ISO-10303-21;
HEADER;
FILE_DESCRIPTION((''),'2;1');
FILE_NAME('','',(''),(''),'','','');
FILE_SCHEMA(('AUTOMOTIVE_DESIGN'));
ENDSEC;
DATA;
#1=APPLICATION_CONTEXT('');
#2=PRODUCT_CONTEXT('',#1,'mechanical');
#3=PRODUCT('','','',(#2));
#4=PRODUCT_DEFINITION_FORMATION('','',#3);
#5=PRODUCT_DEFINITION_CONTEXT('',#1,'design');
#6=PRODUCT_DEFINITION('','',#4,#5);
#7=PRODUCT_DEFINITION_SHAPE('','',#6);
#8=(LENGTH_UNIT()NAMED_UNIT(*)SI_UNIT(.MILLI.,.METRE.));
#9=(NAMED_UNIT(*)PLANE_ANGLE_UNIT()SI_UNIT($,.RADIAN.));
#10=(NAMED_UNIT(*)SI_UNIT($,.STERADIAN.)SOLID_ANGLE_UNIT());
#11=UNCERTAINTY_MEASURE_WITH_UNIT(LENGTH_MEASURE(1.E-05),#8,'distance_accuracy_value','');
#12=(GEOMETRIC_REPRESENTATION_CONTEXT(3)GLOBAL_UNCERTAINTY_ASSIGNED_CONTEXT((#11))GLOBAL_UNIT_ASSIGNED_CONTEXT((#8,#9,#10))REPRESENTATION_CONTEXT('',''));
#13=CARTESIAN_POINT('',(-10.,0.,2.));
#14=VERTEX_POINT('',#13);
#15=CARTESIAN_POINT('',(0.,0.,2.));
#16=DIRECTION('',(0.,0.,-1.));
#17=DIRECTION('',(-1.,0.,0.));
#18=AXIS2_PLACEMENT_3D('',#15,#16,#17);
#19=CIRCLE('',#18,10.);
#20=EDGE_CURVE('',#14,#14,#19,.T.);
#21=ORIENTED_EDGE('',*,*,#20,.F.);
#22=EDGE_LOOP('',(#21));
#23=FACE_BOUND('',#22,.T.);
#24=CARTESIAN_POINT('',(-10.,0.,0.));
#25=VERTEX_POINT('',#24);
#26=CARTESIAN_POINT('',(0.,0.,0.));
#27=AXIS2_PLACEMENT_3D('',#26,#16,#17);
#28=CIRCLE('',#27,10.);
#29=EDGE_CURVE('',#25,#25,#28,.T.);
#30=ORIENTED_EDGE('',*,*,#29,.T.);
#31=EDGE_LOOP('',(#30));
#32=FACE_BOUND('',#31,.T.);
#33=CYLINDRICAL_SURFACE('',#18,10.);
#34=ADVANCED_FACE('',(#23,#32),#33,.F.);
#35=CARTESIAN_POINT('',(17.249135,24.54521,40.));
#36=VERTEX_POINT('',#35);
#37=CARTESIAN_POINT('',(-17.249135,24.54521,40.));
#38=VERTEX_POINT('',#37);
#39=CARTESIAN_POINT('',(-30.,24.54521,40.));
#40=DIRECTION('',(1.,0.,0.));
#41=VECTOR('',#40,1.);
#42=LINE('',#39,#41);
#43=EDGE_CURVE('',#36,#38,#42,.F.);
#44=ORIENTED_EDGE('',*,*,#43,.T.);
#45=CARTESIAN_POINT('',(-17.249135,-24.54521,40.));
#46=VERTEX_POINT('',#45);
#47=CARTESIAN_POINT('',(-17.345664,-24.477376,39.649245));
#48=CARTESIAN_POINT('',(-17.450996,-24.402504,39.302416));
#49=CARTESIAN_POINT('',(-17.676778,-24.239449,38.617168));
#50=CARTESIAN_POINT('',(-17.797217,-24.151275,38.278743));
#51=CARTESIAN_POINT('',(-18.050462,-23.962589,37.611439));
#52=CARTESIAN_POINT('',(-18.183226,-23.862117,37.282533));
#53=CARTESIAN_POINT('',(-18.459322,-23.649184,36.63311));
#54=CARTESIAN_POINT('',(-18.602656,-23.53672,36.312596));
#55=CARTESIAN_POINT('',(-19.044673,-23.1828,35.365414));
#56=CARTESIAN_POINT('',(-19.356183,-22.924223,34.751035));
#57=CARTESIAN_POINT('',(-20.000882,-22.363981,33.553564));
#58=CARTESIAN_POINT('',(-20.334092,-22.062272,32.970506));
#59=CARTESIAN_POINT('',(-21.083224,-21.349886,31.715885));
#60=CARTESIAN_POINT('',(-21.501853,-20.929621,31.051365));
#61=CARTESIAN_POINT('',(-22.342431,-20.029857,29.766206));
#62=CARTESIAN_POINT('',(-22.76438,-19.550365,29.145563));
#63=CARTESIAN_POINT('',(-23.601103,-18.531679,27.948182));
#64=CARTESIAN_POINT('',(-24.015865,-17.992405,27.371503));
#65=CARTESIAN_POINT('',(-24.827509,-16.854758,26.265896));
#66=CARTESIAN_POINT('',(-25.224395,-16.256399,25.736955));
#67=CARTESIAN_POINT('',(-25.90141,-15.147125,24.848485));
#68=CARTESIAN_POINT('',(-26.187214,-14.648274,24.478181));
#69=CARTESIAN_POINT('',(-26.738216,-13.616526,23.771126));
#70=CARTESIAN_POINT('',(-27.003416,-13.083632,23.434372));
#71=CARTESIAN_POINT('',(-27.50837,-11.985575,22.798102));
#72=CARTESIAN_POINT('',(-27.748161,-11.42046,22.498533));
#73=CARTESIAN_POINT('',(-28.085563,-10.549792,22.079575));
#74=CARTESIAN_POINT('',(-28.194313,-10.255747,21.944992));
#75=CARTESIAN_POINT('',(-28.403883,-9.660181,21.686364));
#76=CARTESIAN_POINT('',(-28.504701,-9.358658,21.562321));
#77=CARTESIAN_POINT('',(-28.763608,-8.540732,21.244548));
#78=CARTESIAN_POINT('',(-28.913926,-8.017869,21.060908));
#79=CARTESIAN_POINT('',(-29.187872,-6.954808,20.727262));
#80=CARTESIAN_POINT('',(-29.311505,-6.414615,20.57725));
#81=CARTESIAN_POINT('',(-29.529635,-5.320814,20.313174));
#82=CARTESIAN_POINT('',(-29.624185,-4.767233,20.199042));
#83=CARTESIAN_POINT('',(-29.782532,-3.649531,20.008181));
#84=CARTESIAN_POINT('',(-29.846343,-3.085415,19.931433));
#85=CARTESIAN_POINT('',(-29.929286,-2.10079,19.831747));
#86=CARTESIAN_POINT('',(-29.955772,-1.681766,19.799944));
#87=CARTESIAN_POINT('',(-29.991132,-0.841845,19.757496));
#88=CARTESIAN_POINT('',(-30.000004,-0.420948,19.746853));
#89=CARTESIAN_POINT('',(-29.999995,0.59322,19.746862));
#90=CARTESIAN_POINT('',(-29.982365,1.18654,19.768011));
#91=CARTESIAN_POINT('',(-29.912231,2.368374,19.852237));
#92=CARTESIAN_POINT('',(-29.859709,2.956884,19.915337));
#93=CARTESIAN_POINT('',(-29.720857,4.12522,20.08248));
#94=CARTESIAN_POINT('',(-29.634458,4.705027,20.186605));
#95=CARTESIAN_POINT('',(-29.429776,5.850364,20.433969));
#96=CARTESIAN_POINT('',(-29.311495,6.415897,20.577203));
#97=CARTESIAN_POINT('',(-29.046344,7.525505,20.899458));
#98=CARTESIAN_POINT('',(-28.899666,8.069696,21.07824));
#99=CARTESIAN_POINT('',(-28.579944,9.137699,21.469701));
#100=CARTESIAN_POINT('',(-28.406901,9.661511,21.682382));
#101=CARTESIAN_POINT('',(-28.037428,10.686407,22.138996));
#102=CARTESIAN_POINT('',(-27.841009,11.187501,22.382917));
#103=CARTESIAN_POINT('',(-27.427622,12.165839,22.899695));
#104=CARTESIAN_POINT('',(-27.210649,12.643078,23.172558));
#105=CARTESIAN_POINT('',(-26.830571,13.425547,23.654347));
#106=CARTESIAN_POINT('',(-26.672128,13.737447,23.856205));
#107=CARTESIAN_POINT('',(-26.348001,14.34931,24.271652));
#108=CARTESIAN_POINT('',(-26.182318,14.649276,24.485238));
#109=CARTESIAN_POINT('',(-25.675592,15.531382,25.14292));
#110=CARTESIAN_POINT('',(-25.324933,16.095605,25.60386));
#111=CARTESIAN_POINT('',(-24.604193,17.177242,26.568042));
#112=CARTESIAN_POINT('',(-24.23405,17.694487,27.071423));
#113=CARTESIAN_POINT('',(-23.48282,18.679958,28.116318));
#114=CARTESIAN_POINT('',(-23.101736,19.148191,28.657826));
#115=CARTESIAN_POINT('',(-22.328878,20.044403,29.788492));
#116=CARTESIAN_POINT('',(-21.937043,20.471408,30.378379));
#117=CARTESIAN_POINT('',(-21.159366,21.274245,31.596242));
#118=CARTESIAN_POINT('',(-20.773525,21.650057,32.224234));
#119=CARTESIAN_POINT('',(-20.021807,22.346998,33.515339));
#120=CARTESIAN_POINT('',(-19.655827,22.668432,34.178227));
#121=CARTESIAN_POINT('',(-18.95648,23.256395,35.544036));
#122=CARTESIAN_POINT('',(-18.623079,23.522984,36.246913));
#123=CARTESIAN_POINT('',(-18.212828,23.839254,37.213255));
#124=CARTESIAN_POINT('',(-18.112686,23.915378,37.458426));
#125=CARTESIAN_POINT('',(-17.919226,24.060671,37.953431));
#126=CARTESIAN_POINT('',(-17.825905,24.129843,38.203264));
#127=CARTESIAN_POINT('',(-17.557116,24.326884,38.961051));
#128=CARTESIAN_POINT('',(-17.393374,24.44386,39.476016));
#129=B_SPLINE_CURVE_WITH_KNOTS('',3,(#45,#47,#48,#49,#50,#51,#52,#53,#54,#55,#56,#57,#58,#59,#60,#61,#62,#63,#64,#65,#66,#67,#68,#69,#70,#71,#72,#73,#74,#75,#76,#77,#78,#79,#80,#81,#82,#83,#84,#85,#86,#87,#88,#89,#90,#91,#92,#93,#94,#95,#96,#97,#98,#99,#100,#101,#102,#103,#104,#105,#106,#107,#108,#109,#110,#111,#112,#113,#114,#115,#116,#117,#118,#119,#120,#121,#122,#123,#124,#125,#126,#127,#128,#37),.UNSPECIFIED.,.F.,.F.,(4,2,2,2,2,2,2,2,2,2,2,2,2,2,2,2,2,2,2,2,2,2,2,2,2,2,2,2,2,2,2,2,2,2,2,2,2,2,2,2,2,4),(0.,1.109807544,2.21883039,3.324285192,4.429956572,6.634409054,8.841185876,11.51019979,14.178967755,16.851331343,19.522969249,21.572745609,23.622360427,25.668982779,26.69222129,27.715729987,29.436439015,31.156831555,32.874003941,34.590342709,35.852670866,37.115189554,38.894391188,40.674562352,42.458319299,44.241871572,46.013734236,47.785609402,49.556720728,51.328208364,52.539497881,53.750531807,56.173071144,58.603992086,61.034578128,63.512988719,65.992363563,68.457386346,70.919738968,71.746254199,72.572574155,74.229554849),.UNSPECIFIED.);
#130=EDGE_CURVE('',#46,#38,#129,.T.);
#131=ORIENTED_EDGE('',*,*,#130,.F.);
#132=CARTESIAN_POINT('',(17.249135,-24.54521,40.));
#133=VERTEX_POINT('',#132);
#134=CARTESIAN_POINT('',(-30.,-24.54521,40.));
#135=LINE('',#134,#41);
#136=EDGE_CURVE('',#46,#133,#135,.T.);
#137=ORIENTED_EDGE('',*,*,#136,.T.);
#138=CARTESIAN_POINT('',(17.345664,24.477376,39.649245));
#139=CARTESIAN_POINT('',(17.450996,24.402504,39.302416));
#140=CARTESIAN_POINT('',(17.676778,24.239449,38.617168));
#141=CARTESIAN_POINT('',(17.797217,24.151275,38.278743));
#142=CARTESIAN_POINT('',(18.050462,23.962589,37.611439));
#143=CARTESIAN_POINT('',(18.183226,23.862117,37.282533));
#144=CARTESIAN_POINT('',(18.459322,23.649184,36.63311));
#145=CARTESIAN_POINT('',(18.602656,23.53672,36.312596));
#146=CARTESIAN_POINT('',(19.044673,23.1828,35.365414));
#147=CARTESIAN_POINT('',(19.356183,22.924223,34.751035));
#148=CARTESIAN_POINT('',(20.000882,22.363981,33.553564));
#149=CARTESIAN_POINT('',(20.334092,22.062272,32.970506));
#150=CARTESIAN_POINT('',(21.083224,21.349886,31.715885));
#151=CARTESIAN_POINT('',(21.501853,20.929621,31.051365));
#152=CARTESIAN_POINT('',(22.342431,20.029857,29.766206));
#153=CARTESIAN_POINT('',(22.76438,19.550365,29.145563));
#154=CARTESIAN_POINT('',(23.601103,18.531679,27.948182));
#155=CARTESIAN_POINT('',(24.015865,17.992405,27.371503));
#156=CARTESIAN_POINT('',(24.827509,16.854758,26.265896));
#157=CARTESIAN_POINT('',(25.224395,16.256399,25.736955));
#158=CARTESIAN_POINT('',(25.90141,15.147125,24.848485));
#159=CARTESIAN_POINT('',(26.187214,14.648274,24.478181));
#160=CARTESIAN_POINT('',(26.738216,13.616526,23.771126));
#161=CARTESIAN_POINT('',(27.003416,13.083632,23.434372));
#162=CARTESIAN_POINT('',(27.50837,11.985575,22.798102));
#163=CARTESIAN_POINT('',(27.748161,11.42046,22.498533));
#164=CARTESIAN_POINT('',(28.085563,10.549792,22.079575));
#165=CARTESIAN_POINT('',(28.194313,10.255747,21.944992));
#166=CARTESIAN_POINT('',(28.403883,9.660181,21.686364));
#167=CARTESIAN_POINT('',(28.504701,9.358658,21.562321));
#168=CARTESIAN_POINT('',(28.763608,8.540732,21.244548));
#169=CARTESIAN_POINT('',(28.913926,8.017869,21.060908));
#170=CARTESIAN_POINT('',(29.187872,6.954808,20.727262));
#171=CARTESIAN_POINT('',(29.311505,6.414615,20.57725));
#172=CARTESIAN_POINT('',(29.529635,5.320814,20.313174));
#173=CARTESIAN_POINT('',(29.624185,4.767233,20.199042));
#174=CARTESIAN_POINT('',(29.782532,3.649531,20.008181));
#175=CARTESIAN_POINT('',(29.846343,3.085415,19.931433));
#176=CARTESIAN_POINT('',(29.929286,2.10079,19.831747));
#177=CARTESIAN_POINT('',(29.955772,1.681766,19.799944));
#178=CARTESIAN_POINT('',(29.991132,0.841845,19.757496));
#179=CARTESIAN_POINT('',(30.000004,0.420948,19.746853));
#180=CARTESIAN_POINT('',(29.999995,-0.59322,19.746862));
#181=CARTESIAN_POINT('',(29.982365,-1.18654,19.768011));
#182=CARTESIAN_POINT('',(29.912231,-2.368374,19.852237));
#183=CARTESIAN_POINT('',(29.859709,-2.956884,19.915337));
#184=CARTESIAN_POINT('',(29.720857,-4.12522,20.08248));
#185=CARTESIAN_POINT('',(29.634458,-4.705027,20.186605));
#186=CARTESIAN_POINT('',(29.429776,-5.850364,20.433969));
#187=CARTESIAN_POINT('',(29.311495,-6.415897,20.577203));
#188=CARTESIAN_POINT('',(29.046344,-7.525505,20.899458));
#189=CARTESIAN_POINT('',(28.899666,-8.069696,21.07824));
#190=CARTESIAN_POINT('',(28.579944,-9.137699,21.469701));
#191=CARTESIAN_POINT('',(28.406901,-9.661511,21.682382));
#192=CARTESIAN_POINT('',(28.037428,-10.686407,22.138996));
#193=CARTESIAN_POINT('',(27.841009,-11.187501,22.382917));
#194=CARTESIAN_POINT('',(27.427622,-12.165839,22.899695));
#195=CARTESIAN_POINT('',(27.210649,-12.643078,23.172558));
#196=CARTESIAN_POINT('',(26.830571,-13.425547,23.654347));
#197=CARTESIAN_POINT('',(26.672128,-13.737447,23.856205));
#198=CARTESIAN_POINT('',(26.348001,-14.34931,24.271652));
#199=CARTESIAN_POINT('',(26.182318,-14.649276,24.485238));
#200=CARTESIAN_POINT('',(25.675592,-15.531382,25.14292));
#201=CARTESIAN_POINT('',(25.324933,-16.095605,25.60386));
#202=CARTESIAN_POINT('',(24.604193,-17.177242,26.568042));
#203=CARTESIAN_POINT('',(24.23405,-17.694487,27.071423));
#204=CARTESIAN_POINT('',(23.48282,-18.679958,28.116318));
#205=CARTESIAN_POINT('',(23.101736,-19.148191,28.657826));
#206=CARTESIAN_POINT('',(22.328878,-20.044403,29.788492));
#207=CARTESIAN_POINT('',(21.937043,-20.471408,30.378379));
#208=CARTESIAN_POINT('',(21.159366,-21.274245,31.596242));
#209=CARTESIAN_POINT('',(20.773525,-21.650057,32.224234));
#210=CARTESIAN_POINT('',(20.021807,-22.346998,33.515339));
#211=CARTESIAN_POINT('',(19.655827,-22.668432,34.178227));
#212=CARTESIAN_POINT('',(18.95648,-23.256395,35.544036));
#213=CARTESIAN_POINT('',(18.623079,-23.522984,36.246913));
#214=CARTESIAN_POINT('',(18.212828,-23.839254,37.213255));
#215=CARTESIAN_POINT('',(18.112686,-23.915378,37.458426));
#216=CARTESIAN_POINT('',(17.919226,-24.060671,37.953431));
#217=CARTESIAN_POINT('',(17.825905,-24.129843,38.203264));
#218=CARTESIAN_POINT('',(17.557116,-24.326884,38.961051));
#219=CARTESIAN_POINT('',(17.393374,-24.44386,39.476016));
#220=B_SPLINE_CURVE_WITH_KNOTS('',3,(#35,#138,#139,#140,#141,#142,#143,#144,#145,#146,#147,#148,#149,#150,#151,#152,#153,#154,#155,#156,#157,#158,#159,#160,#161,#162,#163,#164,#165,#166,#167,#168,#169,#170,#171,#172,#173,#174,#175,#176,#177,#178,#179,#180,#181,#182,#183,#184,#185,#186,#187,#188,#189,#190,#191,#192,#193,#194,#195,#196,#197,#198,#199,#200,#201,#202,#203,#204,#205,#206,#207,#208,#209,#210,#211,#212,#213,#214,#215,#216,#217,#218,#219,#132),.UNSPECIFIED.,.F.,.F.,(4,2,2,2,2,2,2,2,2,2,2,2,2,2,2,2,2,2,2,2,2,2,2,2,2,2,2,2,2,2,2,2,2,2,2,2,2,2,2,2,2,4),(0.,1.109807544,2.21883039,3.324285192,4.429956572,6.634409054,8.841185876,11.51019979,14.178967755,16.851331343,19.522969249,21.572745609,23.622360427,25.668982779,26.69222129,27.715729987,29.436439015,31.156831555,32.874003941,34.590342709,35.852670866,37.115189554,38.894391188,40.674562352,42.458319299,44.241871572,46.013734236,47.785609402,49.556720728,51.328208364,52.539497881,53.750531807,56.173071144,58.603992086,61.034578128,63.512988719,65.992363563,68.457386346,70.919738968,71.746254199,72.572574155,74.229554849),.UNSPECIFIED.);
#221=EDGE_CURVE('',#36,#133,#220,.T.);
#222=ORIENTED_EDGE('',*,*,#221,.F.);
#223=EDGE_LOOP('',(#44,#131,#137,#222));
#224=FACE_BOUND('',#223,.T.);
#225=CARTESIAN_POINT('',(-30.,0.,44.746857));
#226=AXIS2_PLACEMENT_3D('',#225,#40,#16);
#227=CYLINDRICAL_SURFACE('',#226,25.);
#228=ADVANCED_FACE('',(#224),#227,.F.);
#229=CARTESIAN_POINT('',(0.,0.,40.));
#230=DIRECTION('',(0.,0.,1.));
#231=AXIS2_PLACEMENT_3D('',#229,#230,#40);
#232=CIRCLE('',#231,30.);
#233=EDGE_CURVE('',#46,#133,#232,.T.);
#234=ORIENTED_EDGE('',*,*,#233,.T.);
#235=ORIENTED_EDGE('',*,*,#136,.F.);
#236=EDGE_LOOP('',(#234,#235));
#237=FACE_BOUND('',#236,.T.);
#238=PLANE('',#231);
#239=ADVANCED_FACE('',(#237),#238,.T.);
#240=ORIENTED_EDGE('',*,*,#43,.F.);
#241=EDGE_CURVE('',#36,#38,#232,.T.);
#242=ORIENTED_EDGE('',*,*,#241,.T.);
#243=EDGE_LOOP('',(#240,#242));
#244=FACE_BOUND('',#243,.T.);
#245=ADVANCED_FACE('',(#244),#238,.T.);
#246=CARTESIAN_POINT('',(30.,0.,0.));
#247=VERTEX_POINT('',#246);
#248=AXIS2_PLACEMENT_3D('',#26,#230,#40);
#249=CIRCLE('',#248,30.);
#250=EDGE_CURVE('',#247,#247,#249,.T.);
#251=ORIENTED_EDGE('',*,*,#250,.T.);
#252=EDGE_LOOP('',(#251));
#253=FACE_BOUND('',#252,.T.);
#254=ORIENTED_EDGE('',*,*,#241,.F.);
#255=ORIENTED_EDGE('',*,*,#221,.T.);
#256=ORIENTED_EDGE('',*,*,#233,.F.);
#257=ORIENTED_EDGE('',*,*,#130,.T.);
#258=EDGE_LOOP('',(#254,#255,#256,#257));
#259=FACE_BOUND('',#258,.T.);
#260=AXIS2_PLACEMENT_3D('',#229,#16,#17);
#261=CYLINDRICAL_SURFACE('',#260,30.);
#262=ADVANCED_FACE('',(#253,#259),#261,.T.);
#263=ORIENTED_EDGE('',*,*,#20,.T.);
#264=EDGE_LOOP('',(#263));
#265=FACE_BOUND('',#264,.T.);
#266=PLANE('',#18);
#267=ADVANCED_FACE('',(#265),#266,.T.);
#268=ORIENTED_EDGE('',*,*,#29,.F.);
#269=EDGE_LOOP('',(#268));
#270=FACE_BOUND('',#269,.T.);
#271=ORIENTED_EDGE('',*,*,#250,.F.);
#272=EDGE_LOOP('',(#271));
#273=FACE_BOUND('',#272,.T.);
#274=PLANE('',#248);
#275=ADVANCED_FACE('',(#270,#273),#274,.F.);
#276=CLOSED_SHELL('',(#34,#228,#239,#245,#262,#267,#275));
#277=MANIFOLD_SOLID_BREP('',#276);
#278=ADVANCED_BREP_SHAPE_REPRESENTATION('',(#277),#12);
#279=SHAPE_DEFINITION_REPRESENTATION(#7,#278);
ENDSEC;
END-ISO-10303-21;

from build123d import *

# Parameters (mm, degrees)
SZKIC1_R                        = 30
DODANIE_WYCI_GNI_CIE1_DEPTH     = 40
WYTNIJ_WYCI_GNI_CIE1_DEPTH      = 59.309518948
WYTNIJ_WYCI_GNI_CIE1_DEPTH_BACK = 59.309518948
SZKIC4_R                        = 10
WYTNIJ_WYCI_GNI_CIE2_DEPTH      = 2


with BuildPart() as part:
    # Szkic1 → Dodanie-wyciągnięcie1 (new body)
    with BuildSketch(Plane.XY):
        Circle(SZKIC1_R)
    extrude(amount=DODANIE_WYCI_GNI_CIE1_DEPTH)

    # Szkic2 → Wytnij-wyciągnięcie1 (cut, two sides: drawn at the far end of the back side and taken through both)
    with BuildSketch(Plane(origin=(0, 0, 0), x_dir=(0, 0, -1), z_dir=(1, 0, 0)).offset(-WYTNIJ_WYCI_GNI_CIE1_DEPTH_BACK)):
        with BuildLine():
            ThreePointArc((-19.746856725, 0), (-25.463814718, 15.911137324), (-40, 24.545210352))
            Line((-40, 24.545210352), (-40, -24.545210352))
            ThreePointArc((-40, -24.545210352), (-25.463814718, -15.911137324), (-19.746856725, 0))
        make_face()
        with BuildLine():
            Line((-40, -24.545210352), (-40, 24.545210352))
            ThreePointArc((-40, 24.545210352), (-69.746856725, 0), (-40, -24.545210352))
        make_face()
    extrude(amount=WYTNIJ_WYCI_GNI_CIE1_DEPTH + WYTNIJ_WYCI_GNI_CIE1_DEPTH_BACK, mode=Mode.SUBTRACT)

    # Szkic4 → Wytnij-wyciągnięcie2 (cut)
    with BuildSketch(Plane(origin=(0, 0, 0), x_dir=(-1, 0, 0), z_dir=(0, 0, -1))):
        Circle(SZKIC4_R)
    extrude(amount=-WYTNIJ_WYCI_GNI_CIE2_DEPTH, mode=Mode.SUBTRACT)


solid = part.part
